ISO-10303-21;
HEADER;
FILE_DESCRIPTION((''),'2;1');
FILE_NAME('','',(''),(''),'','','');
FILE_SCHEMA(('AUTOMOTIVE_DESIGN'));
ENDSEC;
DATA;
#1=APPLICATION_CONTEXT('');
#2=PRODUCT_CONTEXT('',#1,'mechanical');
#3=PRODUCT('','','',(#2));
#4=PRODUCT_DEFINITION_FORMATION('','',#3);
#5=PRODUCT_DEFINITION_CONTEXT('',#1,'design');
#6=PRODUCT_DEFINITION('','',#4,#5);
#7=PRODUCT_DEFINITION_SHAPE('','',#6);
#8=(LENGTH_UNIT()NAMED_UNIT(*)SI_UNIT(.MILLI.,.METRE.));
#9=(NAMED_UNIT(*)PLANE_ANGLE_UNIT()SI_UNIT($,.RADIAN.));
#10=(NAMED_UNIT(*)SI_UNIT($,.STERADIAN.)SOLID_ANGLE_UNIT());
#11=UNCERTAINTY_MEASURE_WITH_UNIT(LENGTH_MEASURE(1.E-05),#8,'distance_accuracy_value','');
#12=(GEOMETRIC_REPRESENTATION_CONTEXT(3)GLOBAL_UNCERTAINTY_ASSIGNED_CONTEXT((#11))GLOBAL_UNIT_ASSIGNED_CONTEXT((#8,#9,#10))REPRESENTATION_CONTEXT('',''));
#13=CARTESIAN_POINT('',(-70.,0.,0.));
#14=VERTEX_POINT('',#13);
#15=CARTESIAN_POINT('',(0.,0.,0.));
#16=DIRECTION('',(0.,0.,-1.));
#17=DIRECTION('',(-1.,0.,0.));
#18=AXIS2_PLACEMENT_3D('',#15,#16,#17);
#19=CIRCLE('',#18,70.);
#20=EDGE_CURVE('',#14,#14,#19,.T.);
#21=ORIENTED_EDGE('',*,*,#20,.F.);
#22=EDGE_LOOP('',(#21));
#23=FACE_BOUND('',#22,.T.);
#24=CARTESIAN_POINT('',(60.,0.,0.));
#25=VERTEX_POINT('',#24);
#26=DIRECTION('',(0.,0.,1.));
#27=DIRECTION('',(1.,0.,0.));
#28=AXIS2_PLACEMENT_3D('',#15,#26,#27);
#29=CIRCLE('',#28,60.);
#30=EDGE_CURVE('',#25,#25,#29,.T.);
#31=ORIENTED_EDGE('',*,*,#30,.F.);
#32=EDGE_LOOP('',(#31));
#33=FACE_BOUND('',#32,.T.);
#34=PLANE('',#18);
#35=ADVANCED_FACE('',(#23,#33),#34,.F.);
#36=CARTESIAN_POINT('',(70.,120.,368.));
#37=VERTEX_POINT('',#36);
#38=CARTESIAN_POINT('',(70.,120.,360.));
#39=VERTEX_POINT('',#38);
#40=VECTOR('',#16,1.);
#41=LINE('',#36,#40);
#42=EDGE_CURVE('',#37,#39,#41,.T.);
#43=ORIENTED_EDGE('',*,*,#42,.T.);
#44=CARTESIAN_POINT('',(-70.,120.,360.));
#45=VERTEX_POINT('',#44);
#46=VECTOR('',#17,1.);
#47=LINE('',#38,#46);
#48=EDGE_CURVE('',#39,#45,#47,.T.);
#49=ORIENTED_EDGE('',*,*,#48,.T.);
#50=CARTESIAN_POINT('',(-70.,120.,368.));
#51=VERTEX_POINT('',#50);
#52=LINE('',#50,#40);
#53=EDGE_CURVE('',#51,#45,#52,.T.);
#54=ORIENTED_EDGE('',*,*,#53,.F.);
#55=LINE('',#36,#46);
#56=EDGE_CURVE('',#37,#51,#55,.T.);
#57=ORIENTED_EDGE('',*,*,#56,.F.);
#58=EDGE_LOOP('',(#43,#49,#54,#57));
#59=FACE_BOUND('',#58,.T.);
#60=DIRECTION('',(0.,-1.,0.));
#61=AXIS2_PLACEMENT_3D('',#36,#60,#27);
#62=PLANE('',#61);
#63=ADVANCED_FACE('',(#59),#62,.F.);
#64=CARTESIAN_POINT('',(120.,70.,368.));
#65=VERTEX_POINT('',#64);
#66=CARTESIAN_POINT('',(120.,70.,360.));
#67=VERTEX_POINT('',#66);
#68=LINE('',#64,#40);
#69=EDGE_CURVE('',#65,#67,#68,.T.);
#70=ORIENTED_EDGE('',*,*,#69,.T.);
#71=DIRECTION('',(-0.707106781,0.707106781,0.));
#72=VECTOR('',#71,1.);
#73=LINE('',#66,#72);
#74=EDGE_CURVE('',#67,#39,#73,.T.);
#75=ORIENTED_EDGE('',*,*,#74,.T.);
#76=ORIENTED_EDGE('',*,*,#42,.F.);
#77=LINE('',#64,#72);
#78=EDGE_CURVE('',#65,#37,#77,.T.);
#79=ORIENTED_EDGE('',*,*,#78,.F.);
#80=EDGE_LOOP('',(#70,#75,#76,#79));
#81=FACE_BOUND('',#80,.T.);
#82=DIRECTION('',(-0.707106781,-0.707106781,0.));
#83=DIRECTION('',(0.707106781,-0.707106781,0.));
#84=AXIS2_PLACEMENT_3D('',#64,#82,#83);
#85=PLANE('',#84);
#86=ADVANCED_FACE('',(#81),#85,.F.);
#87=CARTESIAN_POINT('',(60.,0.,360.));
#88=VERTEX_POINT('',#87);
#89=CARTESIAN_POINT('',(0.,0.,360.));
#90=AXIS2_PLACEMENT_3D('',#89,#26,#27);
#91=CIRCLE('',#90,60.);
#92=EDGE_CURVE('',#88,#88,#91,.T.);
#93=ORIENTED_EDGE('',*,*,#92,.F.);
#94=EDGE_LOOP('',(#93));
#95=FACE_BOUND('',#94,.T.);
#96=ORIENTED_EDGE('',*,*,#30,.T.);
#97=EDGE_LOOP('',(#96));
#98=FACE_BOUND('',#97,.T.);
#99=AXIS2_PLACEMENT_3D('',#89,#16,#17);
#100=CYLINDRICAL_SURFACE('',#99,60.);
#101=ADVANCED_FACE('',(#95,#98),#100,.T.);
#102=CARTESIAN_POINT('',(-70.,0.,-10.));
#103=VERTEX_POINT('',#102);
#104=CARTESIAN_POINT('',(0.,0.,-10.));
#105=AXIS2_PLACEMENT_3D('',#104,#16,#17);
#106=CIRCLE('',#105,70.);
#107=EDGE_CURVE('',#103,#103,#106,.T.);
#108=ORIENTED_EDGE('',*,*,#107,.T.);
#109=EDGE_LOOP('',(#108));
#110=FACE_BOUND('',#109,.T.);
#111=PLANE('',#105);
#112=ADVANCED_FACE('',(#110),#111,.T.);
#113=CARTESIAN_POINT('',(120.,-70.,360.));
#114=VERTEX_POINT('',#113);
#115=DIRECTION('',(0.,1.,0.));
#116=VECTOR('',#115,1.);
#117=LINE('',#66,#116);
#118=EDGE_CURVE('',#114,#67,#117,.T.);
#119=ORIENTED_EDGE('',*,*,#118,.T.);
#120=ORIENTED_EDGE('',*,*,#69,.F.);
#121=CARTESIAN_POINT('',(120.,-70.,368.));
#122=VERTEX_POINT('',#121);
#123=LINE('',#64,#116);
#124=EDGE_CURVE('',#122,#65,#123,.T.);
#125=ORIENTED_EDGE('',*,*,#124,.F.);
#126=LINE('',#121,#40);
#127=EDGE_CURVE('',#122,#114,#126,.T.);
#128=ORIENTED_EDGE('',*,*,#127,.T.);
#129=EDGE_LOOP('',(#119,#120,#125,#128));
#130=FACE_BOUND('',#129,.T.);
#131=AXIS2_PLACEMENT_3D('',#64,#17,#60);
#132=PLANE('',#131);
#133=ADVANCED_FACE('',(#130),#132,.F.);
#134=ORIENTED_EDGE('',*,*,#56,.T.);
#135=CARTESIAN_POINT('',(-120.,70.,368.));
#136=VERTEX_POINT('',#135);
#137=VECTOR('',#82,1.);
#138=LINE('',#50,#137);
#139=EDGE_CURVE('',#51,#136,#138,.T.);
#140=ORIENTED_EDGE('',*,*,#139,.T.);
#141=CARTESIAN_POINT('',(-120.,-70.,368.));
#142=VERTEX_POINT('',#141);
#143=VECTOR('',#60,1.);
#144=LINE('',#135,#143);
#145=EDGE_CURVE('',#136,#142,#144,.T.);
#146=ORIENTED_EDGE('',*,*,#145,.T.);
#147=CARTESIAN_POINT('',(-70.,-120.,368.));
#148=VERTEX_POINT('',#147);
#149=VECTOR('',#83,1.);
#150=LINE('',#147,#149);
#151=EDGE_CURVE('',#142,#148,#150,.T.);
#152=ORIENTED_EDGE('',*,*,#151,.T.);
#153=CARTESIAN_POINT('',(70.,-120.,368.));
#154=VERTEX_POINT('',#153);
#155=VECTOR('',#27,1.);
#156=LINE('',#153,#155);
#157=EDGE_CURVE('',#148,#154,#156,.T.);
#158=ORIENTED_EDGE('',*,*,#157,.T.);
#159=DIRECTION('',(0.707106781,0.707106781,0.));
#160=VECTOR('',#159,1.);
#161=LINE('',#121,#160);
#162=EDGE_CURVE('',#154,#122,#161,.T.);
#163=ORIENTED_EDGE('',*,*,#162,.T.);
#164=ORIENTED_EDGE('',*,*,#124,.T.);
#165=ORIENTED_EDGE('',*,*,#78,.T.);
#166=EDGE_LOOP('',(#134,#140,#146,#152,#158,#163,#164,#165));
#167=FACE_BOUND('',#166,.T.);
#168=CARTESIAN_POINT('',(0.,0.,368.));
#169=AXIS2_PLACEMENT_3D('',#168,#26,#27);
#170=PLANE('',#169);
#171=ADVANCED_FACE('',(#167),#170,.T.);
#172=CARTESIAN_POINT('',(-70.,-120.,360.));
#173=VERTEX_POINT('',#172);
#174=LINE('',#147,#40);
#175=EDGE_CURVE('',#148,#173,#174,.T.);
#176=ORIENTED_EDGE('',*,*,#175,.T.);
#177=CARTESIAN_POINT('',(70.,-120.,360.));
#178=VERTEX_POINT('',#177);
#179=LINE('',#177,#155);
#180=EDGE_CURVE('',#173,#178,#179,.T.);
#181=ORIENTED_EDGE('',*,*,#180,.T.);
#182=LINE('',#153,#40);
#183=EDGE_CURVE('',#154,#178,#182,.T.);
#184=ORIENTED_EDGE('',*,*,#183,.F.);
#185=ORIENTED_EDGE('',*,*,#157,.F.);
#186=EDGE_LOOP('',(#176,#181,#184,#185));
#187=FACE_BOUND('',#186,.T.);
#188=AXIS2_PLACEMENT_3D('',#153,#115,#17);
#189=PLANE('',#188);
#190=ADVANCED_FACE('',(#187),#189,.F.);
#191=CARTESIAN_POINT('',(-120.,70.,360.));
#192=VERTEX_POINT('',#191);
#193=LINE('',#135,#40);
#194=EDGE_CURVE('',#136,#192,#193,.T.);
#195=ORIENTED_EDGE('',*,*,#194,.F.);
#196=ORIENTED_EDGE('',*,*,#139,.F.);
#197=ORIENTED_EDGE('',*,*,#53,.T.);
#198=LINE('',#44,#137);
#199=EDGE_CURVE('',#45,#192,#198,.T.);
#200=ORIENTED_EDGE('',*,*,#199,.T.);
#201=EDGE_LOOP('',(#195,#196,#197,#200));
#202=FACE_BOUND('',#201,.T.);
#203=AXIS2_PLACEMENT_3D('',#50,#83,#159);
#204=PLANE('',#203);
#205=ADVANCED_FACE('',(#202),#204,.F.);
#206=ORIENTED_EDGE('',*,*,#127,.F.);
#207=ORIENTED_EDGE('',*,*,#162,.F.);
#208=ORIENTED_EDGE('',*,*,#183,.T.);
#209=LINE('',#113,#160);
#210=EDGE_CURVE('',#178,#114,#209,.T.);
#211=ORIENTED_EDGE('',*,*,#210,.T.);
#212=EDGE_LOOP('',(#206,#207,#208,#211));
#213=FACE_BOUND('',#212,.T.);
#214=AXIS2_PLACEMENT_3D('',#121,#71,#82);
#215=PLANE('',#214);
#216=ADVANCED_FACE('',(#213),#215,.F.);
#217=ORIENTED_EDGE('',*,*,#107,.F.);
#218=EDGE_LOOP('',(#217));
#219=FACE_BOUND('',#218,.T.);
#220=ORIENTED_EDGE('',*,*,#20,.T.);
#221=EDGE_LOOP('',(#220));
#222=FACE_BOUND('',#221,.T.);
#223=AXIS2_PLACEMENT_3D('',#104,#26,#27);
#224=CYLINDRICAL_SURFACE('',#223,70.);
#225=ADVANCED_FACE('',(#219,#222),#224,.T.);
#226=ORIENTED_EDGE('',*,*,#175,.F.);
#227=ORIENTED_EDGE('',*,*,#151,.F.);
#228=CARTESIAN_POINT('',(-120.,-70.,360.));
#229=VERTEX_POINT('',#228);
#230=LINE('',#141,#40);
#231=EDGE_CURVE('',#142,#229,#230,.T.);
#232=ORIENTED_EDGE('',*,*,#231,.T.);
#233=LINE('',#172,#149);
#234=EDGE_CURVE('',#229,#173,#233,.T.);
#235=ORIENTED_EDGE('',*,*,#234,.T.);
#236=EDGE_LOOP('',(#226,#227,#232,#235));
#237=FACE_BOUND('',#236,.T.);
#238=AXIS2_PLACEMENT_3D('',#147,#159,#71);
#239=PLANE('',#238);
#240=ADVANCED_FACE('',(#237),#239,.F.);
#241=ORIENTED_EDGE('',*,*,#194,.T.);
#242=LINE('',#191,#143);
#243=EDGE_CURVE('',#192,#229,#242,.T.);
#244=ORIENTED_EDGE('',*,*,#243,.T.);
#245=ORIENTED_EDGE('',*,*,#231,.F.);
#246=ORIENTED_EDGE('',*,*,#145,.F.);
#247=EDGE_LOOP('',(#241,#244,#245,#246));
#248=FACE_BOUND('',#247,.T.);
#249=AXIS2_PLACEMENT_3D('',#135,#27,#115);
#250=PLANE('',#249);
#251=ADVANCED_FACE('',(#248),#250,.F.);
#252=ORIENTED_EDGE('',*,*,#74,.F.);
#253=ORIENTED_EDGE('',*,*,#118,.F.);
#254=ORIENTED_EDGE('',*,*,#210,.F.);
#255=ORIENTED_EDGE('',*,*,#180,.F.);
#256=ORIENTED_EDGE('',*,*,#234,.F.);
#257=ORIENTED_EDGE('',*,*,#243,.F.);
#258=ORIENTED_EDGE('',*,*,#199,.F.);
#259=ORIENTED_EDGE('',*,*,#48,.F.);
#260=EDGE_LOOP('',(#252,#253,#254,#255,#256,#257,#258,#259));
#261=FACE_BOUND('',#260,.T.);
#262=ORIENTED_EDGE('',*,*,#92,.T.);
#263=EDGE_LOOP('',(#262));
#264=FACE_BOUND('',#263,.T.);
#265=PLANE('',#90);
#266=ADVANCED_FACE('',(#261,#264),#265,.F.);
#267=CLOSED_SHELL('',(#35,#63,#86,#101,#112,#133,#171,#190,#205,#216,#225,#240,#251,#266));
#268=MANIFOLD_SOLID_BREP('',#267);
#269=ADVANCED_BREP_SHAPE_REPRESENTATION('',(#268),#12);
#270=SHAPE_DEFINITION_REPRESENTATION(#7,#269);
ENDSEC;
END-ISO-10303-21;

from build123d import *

# Parameters (mm, degrees)
SKETCH2_R           = 60
BOSS_EXTRUDE1_DEPTH = 360
SKETCH3_R           = 70
BOSS_EXTRUDE2_DEPTH = 10
BOSS_EXTRUDE4_DEPTH = 8


with BuildPart() as part:
    # Sketch2 → Boss-Extrude1 (new body)
    with BuildSketch(Plane.XY):
        Circle(SKETCH2_R)
    extrude(amount=BOSS_EXTRUDE1_DEPTH)

    # Sketch3 → Boss-Extrude2 (add)
    with BuildSketch(Plane(origin=(0, 0, 0), x_dir=(-1, 0, 0), z_dir=(0, 0, -1))):
        Circle(SKETCH3_R)
    extrude(amount=BOSS_EXTRUDE2_DEPTH)

    # Sketch4 → Boss-Extrude4 (add)
    with BuildSketch(Plane.XY.offset(360)):
        Polygon((-70, 120), (-120, 70), (-120, -70), (-70, -120), (70, -120), (120, -70), (120, 70), (70, 120), align=None)
    extrude(amount=BOSS_EXTRUDE4_DEPTH)


solid = part.part
